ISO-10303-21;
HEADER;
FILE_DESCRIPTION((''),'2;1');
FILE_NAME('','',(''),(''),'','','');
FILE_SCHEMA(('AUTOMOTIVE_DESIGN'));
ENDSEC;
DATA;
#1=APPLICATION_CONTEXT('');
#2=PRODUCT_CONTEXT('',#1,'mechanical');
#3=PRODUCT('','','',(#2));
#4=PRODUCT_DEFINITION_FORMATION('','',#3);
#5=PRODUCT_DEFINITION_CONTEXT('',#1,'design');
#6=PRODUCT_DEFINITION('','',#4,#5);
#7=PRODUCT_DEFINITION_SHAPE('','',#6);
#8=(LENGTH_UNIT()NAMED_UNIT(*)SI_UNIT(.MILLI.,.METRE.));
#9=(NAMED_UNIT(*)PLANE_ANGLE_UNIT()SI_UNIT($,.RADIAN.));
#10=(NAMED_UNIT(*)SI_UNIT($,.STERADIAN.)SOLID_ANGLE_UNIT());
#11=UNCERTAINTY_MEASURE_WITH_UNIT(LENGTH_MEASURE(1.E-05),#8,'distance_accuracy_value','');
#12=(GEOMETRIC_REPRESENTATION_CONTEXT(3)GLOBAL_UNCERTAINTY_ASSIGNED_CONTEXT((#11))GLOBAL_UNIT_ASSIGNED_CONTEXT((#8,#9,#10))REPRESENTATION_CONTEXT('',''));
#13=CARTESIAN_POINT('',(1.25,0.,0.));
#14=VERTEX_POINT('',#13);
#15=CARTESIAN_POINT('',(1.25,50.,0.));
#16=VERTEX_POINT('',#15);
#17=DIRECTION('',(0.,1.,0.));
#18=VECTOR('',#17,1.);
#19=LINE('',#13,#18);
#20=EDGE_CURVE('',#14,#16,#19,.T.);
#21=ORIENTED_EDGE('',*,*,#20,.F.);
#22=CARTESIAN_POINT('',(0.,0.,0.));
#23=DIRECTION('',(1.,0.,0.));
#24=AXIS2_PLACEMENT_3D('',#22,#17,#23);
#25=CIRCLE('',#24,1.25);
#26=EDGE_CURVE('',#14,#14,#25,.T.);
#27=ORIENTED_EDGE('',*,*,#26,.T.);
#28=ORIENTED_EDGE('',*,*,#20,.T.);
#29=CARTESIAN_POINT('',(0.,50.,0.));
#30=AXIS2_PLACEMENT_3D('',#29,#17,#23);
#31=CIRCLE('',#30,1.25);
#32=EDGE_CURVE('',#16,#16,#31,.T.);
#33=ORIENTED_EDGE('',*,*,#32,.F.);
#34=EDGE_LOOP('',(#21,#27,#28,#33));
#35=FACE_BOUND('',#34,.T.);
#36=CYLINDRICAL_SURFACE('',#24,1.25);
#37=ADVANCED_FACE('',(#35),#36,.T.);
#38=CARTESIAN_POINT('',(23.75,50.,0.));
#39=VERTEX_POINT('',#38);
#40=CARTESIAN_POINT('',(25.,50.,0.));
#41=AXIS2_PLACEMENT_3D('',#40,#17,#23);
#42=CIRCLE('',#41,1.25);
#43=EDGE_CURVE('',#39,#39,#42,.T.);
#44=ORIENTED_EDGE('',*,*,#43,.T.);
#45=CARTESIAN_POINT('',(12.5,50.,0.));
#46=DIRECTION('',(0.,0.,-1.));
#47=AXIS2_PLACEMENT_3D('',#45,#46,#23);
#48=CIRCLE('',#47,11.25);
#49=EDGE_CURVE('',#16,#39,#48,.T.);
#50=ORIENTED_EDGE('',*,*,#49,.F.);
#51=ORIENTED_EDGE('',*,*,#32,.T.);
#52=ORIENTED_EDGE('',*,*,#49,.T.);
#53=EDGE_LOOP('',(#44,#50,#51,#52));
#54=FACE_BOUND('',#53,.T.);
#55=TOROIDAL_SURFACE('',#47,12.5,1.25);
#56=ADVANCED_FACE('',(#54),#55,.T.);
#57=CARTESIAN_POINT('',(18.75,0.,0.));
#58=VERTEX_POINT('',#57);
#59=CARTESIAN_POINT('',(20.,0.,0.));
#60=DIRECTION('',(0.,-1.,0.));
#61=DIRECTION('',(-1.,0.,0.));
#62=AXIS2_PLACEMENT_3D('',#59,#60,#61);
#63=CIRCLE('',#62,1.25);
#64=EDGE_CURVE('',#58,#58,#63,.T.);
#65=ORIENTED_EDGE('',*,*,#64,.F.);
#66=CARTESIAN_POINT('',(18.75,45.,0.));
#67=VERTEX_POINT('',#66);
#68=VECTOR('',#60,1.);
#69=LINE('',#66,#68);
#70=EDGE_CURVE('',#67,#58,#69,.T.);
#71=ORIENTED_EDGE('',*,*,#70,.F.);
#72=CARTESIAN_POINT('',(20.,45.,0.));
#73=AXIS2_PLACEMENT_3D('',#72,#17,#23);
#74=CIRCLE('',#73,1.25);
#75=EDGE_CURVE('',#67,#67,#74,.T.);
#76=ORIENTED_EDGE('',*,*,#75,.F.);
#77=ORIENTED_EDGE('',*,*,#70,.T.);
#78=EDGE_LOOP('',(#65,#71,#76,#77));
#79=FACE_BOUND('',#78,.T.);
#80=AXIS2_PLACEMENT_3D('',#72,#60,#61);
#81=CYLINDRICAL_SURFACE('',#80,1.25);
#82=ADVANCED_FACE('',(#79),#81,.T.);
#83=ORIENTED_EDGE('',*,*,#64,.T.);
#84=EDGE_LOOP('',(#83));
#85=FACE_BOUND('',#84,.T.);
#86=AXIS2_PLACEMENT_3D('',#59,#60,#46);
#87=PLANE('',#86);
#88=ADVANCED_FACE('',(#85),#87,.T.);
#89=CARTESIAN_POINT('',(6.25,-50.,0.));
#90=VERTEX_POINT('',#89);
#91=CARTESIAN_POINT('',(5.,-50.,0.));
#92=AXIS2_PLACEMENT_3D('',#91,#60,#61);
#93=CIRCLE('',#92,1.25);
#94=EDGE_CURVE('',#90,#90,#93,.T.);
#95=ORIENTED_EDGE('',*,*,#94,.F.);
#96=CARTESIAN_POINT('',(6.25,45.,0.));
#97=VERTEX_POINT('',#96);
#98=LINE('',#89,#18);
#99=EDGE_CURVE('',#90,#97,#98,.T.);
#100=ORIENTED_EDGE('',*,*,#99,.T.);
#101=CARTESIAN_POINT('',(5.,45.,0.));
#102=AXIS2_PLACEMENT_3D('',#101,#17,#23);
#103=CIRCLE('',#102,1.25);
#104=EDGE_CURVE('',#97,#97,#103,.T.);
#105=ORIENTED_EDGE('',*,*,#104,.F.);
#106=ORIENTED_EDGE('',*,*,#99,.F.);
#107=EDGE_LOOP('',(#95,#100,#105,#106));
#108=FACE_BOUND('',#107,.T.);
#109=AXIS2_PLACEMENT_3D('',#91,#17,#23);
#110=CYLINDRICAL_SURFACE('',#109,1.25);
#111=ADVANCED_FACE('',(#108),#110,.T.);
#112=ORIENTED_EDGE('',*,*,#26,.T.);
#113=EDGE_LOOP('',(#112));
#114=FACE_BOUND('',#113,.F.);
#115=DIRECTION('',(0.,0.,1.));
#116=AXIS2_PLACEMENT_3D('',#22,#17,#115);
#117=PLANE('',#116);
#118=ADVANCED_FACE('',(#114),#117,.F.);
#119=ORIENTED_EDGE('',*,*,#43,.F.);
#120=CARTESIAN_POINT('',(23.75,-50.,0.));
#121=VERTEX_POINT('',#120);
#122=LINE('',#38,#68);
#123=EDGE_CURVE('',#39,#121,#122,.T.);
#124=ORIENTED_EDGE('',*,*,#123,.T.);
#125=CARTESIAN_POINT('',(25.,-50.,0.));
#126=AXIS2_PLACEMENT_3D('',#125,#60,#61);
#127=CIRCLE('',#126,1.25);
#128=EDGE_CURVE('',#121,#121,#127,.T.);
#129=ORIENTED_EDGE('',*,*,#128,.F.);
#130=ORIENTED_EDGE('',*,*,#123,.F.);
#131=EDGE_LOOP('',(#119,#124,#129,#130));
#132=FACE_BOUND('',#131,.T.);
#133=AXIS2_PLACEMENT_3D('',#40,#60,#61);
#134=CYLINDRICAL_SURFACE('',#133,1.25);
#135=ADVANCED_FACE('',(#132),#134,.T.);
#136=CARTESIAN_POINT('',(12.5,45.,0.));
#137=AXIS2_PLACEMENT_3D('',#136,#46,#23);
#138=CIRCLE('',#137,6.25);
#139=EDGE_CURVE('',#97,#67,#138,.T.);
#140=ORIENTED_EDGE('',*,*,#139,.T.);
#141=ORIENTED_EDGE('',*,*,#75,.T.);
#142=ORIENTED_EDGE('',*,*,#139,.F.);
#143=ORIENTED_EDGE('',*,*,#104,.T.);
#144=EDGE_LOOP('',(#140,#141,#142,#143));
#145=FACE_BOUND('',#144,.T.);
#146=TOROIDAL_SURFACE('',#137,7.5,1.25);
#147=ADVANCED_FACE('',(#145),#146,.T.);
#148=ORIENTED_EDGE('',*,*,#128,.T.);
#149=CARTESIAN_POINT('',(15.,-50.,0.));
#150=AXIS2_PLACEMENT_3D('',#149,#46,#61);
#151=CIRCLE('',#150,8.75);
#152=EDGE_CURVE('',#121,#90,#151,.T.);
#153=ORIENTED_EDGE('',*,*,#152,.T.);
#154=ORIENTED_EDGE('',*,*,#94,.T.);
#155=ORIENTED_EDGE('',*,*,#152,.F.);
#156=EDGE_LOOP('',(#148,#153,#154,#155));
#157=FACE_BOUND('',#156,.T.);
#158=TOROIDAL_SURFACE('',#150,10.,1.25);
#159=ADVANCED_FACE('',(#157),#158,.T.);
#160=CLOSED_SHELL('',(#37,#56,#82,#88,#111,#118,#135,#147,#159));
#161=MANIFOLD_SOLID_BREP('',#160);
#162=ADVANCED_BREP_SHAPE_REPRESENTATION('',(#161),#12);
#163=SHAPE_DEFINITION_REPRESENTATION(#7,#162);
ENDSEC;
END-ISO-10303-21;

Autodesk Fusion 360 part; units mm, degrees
sketch "Sketch6" plane through (0, 0, 0) normal (0, 0, 1) x (1, 0, 0)
  line L0 (0, 0) -> (0, 50)
  arc A0 (25, 50) -> (0, 50) centre (12.5, 50) ccw
  line L1 (25, 50) -> (25, -50)
  arc A1 (5, -50) -> (25, -50) centre (15, -50) ccw
  line L2 (5, -50) -> (5, 45)
  arc A2 (20, 45) -> (5, 45) centre (12.5, 45) ccw
  line L3 (20, 45) -> (20, 0)
sketch "Sketch8" plane through (0, 0, 0) normal (0, 1, 0) x (1, 0, 0)
  circle A0 centre (0, 0) radius 1.25
  dimension "d4" = 2.5
sweep "Sweep1" add profiles "Sketch8" path "Sketch6" along L0 A0 L1 A1 L2 A2 L3 section 1
